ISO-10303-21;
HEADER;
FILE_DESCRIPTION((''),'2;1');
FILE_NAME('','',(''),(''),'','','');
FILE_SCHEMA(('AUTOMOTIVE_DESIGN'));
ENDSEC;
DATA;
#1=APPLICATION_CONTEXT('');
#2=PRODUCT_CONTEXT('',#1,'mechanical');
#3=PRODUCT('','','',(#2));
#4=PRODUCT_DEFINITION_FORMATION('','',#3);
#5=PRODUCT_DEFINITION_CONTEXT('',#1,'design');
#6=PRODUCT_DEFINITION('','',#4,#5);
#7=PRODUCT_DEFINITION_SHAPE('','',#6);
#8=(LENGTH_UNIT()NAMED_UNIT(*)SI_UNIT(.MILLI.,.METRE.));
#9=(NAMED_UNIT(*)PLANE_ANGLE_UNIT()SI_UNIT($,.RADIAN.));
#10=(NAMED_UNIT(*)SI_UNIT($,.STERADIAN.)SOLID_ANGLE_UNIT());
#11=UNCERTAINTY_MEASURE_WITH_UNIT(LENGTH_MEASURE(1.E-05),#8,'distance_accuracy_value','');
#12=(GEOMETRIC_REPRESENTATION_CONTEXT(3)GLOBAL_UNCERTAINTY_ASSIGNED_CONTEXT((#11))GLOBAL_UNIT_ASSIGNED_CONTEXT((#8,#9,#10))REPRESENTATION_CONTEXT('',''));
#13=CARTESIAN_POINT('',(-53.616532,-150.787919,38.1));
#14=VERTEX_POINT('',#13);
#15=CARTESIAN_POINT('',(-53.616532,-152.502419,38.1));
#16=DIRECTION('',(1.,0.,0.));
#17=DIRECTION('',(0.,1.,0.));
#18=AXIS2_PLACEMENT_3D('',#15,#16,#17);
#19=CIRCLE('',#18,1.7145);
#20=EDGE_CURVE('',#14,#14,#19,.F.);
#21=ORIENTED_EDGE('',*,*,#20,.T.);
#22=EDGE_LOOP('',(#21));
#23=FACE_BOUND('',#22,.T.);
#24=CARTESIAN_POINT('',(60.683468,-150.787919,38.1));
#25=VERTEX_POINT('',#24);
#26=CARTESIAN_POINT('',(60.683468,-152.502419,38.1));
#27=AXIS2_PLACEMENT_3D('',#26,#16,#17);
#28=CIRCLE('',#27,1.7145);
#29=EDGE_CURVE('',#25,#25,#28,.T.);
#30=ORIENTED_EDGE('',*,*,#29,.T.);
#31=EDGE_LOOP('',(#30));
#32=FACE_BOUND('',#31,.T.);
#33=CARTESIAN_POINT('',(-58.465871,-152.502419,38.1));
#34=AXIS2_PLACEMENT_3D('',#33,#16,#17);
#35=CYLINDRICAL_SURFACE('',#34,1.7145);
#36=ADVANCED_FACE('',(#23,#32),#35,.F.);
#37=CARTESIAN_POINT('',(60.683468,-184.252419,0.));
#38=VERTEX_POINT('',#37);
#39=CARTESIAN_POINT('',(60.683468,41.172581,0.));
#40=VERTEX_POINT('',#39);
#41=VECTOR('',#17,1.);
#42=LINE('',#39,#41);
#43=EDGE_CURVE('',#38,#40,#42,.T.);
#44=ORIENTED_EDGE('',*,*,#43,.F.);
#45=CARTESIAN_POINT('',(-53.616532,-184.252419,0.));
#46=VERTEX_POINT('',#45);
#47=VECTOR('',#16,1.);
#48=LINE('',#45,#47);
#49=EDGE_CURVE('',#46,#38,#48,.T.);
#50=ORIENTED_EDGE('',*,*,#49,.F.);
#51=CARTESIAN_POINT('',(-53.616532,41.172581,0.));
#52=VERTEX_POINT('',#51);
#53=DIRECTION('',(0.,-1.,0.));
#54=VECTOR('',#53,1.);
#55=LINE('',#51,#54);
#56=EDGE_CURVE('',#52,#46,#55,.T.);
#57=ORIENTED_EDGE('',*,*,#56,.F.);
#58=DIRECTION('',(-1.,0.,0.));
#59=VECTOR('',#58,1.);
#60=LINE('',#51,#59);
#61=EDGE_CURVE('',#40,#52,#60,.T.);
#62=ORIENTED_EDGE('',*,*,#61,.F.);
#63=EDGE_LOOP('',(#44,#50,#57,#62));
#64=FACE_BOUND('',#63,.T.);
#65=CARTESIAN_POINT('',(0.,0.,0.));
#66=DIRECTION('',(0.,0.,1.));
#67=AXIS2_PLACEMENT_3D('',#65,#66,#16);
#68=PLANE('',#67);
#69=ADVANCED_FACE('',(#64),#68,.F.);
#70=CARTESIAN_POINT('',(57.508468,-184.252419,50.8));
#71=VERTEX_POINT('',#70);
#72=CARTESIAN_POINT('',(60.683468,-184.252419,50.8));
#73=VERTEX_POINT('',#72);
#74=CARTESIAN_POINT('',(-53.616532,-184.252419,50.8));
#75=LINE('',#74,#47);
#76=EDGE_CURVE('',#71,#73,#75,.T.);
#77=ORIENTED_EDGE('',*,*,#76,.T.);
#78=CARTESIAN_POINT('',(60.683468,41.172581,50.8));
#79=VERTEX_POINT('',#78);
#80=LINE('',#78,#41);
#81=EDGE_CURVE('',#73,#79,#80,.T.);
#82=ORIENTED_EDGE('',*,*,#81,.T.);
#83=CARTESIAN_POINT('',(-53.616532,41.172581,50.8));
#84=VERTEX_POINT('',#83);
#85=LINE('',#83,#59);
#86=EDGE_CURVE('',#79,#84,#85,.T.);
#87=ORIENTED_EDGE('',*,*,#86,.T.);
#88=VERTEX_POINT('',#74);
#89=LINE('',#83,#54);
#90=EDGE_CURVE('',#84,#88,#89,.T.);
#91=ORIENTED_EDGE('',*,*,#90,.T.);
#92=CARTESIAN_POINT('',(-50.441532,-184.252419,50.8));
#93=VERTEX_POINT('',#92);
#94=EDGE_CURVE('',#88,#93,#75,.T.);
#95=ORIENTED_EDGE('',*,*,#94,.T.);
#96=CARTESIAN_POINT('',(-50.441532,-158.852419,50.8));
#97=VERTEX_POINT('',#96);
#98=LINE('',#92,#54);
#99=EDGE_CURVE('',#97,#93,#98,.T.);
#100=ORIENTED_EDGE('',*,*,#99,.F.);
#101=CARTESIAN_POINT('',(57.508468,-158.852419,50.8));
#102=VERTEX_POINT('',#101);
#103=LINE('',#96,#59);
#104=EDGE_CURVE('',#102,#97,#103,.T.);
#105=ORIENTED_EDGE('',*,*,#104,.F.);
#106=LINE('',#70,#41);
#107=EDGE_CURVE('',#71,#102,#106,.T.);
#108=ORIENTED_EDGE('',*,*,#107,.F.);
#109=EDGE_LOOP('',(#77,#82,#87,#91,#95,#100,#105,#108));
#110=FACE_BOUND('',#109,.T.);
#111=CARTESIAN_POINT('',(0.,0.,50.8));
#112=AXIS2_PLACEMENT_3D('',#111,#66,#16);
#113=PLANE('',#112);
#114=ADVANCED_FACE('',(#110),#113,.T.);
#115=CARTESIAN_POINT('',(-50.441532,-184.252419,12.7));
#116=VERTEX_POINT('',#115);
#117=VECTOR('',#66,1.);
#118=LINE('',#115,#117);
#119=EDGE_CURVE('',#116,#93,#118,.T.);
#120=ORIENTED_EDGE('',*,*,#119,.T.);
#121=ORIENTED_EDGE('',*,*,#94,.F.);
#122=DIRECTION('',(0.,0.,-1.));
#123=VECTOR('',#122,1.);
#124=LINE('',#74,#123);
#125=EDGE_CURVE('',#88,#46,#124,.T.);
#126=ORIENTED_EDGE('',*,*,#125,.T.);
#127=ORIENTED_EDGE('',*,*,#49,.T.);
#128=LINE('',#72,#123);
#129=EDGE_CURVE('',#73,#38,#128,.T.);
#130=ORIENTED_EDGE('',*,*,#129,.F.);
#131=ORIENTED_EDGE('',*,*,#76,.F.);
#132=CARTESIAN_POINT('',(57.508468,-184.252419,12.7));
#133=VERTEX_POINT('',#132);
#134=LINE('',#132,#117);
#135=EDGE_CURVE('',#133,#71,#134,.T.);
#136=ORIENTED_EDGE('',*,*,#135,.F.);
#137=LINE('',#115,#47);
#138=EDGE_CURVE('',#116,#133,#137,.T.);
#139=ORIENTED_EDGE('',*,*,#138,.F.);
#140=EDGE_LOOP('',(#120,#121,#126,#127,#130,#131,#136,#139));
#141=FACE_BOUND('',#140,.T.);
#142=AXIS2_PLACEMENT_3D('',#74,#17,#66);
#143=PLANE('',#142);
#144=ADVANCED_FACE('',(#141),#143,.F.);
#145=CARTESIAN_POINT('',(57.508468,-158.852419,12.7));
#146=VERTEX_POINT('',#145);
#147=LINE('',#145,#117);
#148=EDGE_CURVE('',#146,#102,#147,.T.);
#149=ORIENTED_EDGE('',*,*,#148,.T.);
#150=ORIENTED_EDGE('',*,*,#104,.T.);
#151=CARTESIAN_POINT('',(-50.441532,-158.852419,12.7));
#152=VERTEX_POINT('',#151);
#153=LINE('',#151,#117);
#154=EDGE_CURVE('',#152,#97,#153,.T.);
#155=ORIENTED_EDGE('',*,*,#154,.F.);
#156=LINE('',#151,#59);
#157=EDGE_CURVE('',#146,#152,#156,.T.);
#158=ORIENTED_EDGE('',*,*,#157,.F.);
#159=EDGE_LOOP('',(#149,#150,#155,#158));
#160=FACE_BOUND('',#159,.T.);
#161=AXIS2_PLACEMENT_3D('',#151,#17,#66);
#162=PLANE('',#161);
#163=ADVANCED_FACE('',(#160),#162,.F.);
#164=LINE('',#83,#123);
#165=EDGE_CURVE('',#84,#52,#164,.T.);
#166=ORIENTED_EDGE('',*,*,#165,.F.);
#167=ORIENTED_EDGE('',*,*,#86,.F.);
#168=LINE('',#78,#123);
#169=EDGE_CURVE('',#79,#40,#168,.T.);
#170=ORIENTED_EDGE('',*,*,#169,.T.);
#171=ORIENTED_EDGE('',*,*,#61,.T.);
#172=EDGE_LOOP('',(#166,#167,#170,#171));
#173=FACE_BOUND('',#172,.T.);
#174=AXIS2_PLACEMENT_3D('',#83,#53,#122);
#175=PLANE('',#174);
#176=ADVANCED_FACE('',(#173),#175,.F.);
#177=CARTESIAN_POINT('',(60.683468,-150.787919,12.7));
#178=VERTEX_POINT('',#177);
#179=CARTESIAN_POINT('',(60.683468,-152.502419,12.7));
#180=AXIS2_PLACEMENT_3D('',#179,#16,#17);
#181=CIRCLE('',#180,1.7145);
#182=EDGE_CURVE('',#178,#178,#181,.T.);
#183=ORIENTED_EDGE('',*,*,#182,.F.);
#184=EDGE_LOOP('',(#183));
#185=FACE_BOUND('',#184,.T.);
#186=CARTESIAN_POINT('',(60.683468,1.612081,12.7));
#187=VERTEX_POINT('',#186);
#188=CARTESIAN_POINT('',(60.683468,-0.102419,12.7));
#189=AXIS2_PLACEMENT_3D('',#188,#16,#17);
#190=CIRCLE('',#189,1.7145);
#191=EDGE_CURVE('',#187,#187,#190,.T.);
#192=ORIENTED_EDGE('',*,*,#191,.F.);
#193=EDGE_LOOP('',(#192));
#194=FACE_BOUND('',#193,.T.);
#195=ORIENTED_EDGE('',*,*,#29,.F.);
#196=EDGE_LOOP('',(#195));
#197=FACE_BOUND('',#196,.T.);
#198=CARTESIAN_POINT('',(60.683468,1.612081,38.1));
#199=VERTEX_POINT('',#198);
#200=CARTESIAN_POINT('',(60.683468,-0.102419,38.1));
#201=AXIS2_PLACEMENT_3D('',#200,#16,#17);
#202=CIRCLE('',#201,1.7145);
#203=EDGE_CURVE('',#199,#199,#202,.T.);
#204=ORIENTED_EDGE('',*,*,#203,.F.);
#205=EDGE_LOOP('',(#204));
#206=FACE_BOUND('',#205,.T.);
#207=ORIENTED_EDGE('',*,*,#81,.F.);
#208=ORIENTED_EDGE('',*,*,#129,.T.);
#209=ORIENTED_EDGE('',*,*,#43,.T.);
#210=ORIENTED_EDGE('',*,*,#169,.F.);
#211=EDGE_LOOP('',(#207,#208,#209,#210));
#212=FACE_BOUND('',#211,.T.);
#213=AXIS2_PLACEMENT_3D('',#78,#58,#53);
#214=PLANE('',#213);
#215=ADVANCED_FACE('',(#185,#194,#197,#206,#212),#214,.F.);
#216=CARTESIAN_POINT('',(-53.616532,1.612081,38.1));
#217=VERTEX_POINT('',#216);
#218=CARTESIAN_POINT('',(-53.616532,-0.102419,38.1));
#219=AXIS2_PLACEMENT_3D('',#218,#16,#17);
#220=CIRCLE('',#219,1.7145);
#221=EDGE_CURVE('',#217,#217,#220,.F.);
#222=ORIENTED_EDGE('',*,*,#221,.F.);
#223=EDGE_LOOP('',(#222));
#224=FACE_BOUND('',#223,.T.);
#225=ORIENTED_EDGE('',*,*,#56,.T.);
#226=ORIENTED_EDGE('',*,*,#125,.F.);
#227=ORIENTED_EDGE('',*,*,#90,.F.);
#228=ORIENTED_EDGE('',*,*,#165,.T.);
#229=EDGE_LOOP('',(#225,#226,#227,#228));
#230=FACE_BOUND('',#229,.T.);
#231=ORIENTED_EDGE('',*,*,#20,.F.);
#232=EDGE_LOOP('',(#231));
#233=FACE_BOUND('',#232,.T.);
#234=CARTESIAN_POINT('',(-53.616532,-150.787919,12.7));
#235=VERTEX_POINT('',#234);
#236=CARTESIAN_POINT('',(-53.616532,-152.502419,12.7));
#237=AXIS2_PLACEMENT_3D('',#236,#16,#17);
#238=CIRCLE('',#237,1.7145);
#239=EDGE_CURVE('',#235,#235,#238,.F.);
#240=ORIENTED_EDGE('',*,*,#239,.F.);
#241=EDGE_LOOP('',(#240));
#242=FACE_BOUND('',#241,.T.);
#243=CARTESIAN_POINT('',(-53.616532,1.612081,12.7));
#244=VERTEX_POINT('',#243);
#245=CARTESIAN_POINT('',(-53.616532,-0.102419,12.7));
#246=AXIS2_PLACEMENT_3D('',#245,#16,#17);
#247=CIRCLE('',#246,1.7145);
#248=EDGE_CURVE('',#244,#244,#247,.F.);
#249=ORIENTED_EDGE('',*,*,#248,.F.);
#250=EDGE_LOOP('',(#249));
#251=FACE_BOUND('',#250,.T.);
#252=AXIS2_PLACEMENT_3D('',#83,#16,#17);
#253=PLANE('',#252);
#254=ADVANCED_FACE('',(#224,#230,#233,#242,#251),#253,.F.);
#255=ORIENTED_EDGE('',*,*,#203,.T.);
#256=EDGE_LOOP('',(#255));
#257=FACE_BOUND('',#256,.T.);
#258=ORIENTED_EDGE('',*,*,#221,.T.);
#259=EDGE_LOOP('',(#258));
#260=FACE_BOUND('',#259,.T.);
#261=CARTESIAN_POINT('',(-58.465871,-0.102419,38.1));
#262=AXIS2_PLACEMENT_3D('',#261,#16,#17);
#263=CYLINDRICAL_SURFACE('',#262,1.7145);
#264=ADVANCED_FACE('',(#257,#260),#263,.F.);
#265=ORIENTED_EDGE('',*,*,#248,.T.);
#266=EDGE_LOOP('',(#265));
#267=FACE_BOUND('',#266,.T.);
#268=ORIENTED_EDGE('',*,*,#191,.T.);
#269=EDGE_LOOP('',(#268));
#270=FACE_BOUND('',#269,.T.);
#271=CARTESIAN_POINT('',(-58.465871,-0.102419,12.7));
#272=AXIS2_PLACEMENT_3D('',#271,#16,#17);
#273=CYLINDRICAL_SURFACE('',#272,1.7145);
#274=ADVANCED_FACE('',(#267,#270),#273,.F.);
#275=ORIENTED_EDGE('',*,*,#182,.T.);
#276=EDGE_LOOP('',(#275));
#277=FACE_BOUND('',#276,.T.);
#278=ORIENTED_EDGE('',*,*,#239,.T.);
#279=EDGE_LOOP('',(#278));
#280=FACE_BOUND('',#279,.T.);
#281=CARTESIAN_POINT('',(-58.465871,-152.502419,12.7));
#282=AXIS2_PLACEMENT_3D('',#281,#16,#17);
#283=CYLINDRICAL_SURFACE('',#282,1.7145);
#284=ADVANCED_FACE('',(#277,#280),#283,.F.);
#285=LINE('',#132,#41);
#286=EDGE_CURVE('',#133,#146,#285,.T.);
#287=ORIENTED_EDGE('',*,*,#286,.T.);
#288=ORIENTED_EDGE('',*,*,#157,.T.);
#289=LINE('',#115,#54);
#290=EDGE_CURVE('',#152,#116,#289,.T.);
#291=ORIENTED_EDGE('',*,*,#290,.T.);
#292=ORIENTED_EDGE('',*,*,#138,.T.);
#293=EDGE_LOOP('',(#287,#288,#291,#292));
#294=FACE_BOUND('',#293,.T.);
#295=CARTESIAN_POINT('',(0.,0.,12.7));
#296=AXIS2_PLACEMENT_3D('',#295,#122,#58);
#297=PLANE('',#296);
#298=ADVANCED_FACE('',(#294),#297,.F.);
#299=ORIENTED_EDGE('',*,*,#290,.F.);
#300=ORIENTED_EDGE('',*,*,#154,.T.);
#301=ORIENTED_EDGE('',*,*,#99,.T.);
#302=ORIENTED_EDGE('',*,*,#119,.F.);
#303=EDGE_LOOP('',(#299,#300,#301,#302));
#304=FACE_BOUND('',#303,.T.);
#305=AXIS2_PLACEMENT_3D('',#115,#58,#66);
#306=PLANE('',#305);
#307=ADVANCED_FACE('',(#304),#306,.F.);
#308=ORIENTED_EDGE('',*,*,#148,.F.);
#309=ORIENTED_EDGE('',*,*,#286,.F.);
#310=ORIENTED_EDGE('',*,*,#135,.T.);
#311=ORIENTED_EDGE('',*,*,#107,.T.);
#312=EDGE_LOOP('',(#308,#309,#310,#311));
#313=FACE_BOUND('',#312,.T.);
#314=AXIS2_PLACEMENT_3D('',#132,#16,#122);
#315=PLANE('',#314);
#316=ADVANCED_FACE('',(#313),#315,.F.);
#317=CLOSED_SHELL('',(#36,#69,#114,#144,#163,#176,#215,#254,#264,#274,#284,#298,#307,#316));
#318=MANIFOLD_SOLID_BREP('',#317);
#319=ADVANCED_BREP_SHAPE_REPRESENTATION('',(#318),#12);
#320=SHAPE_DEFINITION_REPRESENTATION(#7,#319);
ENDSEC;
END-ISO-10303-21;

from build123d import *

# Parameters (mm, degrees)
SKETCH1_W           = 114.3
SKETCH1_H           = 225.425
BOSS_EXTRUDE1_DEPTH = 50.8
SKETCH2_W           = 107.95
SKETCH2_H           = 25.4
CUT_EXTRUDE1_DEPTH  = 38.1
SKETCH4_R           = 1.7145
CUT_EXTRUDE2_DEPTH  = 114.3


with BuildPart() as part:
    # Sketch1 → Boss-Extrude1 (new body)
    with BuildSketch(Plane.XY):
        with Locations((3.533467742, -71.539919355)):
            Rectangle(SKETCH1_W, SKETCH1_H)
    extrude(amount=BOSS_EXTRUDE1_DEPTH)

    # Sketch2 → Cut-Extrude1 (cut)
    with BuildSketch(Plane.XY.offset(50.8)):
        with Locations((3.533467742, -171.552419355)):
            Rectangle(SKETCH2_W, SKETCH2_H)
    extrude(amount=-CUT_EXTRUDE1_DEPTH, mode=Mode.SUBTRACT)

    # Sketch4 → Cut-Extrude2 (cut)
    with BuildSketch(Plane(origin=(60.683467742, 0, 0), x_dir=(0, 0, -1), z_dir=(1, 0, 0))):
        with Locations(Location((-12.7, -152.502419355, 0), (0, 0, 90))):
            Circle(SKETCH4_R)
        with Locations(Location((-38.1, -152.502419355, 0), (0, 0, 90))):
            Circle(SKETCH4_R)
        with Locations(Location((-38.1, -0.102419355, 0), (0, 0, 90))):
            Circle(SKETCH4_R)
        with Locations(Location((-12.7, -0.102419355, 0), (0, 0, 90))):
            Circle(SKETCH4_R)
    extrude(amount=-CUT_EXTRUDE2_DEPTH, mode=Mode.SUBTRACT)


solid = part.part
